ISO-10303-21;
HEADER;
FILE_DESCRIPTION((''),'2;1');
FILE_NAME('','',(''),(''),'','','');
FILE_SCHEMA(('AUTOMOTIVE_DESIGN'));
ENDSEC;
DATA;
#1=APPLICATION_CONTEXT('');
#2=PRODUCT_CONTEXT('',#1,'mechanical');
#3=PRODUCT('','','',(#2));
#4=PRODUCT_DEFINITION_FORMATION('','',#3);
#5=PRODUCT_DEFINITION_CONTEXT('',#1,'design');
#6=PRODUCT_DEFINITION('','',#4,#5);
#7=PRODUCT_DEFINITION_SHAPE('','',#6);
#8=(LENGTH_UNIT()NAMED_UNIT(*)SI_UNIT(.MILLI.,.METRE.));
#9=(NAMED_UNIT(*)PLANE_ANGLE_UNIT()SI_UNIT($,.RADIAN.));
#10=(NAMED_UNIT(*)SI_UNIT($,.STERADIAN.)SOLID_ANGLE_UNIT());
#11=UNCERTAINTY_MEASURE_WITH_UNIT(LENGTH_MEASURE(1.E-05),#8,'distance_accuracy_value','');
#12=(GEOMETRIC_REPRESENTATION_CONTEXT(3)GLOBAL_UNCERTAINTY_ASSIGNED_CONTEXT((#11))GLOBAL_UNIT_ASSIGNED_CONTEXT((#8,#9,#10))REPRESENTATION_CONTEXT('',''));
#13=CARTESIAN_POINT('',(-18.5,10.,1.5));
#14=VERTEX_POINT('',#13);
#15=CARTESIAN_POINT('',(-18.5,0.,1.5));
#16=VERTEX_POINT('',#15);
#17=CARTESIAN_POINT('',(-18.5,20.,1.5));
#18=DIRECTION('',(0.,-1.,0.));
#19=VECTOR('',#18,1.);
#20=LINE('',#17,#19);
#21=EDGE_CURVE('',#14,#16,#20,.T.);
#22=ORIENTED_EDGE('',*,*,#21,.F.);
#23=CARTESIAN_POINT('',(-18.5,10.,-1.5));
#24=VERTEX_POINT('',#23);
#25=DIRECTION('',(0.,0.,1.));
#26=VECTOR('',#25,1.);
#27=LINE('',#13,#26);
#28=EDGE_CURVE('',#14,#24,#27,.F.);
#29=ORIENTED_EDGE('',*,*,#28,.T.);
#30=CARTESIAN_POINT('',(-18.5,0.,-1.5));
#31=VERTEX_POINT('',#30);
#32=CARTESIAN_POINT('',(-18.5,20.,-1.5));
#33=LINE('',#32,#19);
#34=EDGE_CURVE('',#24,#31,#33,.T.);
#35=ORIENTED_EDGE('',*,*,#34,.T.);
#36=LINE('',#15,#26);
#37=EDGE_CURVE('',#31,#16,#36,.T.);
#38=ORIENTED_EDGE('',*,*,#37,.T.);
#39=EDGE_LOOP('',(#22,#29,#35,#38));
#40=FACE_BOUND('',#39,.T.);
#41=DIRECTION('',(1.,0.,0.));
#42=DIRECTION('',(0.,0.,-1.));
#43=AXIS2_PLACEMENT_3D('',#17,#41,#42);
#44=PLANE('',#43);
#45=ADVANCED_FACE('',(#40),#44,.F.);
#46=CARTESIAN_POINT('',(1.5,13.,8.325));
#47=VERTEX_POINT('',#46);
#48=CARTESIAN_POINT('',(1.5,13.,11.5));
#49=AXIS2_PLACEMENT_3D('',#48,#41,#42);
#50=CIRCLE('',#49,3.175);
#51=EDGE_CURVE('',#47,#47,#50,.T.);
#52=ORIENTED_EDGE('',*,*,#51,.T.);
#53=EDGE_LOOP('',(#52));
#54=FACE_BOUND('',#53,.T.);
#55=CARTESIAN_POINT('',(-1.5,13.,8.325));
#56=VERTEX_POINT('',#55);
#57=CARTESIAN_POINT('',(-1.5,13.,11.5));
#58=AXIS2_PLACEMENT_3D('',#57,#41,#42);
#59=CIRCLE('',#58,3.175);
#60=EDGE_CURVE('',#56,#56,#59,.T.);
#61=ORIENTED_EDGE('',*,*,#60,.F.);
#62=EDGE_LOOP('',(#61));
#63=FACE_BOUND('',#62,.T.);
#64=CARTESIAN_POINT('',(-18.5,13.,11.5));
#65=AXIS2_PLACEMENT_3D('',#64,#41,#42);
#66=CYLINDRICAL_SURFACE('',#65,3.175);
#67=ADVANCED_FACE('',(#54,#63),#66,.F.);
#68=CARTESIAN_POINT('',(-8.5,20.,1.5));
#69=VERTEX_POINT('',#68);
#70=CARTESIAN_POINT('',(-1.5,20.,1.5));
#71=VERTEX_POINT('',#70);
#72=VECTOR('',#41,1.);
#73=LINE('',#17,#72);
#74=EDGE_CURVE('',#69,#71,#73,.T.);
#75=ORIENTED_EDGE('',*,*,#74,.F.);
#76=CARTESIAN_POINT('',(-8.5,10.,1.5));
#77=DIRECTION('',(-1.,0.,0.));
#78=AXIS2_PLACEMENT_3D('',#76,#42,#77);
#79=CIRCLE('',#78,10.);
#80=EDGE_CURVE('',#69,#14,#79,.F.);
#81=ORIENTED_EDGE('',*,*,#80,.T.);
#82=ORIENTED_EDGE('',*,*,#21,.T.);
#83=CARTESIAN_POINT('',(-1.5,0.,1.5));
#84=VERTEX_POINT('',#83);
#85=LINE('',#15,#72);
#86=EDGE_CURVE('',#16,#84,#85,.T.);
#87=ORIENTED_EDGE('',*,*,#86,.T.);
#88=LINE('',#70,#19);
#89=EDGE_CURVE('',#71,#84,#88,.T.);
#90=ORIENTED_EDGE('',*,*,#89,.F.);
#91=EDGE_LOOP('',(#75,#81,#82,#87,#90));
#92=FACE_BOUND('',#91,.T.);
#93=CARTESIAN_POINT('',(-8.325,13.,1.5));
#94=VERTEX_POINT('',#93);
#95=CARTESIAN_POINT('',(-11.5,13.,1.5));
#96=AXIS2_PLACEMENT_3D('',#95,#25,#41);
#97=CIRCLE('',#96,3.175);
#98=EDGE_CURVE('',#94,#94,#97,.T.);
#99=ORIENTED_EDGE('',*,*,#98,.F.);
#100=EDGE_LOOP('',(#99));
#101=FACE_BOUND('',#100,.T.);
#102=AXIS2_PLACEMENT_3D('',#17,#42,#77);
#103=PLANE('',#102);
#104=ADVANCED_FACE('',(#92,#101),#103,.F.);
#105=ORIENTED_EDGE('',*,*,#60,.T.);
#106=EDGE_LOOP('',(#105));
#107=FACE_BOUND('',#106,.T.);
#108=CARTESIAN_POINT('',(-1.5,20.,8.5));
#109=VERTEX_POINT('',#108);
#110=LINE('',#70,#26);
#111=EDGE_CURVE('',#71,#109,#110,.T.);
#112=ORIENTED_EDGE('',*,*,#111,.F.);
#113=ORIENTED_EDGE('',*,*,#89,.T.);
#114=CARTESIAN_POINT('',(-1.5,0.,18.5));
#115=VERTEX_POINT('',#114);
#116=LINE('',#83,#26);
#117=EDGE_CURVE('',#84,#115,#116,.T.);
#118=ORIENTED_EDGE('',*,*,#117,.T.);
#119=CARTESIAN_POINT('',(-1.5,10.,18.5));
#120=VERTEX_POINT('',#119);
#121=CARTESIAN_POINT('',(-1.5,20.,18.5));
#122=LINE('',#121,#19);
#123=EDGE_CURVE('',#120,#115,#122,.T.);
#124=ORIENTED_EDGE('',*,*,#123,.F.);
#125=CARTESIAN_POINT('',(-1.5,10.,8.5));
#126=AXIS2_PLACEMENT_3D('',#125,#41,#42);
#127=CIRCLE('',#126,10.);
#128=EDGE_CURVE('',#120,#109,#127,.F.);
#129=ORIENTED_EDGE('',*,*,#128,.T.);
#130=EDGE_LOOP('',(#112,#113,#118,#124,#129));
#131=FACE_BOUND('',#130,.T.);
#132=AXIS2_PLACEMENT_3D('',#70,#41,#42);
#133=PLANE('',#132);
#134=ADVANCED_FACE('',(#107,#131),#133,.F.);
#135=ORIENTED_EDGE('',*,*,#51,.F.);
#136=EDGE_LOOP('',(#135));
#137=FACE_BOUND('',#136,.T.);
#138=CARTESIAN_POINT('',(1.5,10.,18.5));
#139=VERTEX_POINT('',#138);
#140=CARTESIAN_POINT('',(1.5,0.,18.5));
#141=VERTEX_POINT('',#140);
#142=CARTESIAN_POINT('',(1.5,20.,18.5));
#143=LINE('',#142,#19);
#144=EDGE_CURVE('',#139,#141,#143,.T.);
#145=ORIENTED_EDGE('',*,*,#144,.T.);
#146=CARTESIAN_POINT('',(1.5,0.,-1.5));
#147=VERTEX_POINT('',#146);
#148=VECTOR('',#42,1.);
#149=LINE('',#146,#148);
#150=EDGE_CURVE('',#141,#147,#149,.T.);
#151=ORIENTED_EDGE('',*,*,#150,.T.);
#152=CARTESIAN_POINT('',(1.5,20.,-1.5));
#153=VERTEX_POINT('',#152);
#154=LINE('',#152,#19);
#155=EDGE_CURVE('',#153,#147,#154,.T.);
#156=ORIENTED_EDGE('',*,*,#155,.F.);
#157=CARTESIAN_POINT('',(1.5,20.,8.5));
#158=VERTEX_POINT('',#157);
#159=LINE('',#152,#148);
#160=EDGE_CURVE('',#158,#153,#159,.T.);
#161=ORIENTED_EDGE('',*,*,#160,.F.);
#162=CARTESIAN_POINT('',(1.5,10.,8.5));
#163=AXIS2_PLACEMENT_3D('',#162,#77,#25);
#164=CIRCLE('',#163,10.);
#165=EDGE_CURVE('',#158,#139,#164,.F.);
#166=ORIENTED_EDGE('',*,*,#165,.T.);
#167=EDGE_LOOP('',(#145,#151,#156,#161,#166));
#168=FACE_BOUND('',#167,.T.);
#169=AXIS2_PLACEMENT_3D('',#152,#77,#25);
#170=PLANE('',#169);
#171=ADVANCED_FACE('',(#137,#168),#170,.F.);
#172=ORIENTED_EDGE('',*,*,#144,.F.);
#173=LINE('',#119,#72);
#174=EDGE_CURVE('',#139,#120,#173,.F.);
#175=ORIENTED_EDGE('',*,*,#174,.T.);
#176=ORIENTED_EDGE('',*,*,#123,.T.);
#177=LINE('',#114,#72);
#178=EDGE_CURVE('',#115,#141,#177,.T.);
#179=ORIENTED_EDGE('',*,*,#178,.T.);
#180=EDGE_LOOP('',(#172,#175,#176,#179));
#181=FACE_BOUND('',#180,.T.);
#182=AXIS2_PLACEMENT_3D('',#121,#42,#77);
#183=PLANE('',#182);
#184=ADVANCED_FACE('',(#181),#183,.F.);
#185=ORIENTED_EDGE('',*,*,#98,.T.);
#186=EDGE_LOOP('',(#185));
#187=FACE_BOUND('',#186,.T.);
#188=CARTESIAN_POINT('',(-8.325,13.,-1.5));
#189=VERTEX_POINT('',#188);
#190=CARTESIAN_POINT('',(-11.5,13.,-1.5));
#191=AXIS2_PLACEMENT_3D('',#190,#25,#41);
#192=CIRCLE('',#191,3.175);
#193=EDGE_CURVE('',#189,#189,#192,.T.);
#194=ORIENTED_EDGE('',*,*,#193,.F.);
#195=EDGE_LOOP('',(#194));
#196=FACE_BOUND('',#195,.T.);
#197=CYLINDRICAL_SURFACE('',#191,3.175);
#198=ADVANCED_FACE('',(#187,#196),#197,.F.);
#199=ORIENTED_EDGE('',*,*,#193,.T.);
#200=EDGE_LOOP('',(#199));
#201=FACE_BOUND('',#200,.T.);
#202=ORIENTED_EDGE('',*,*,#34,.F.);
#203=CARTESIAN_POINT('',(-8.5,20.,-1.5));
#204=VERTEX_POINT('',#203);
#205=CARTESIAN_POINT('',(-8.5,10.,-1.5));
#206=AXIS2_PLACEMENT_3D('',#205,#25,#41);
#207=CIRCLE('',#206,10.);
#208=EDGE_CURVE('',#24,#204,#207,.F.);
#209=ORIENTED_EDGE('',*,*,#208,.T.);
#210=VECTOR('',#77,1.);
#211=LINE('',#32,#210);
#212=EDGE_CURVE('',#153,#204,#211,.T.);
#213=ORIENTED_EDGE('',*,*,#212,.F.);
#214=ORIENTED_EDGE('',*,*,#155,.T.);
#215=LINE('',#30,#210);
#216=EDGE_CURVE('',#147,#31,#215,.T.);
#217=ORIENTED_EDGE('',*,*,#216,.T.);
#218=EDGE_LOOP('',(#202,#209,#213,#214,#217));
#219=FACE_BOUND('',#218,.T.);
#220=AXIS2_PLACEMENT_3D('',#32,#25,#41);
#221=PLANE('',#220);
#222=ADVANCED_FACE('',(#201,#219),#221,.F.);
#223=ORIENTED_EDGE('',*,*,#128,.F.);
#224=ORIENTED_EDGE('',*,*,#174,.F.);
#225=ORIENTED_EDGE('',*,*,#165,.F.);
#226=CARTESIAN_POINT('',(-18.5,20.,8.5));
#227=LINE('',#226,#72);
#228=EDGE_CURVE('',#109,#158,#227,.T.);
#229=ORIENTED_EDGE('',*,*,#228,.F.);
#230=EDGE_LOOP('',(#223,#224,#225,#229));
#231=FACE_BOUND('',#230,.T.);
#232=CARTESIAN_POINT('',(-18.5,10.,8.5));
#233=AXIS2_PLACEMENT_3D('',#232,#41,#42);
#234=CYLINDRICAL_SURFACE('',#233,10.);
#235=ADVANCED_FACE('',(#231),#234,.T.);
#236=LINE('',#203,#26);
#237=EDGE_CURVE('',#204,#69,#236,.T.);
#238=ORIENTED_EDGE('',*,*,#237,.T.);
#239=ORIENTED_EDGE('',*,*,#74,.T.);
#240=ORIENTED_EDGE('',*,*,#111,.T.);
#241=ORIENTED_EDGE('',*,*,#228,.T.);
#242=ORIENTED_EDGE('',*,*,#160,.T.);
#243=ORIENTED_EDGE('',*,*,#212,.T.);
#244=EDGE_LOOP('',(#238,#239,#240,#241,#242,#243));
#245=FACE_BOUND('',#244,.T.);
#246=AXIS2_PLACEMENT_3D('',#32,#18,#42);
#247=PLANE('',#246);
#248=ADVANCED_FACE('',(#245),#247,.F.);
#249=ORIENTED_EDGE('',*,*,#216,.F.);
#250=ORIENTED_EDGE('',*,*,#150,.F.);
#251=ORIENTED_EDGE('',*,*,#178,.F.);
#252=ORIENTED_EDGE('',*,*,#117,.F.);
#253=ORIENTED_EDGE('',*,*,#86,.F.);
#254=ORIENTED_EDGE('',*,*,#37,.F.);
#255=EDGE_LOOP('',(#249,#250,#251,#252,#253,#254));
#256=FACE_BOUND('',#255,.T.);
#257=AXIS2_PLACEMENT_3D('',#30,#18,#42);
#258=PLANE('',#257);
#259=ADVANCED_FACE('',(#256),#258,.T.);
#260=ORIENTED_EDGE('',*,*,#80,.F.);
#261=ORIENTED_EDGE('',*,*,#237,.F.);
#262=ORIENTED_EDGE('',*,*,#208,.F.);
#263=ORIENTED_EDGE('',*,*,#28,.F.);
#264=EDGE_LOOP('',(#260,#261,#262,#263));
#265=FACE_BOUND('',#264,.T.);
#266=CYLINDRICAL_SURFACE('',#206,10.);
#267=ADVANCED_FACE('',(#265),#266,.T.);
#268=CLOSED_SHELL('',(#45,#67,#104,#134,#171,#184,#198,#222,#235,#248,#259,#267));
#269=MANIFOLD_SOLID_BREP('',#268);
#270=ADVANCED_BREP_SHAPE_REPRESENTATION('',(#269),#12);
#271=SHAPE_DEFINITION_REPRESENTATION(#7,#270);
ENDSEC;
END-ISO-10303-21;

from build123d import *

# Parameters (mm, degrees)
BOSS_EXTRUDE1_DEPTH = 20
FILLET1_R           = 10
SKETCH2_R           = 3.175
CUT_EXTRUDE1_DEPTH  = 21
SKETCH3_R           = 3.175
CUT_EXTRUDE2_DEPTH  = 4


with BuildPart() as part:
    # Sketch1 → Boss-Extrude1 (new body)
    with BuildSketch(Plane(origin=(0, 0, 0), x_dir=(1, 0, 0), z_dir=(0, 1, 0))):
        Polygon((-18.5, -1.5), (-1.5, -1.5), (-1.5, -18.5), (1.5, -18.5), (1.5, 1.5), (-18.5, 1.5), align=None)
    extrude(amount=BOSS_EXTRUDE1_DEPTH)

    # Fillet1
    fillet1_edges = [part.edges().sort_by_distance(p)[0] for p in [
        (0, 20, 18.5),
        (-18.5, 20, 0),
    ]]
    fillet(fillet1_edges, radius=FILLET1_R)

    # Sketch2 → Cut-Extrude1 (cut, through all)
    with BuildSketch(Plane(origin=(1.5, 0, 0), x_dir=(0, 0, -1), z_dir=(1, 0, 0))):
        with Locations((-11.5, 13)):
            Circle(SKETCH2_R)
    extrude(amount=-CUT_EXTRUDE1_DEPTH, mode=Mode.SUBTRACT)

    # Sketch3 → Cut-Extrude2 (cut, through all)
    with BuildSketch(Plane.XY.offset(1.5)):
        with Locations((-11.5, 13)):
            Circle(SKETCH3_R)
    extrude(amount=-CUT_EXTRUDE2_DEPTH, mode=Mode.SUBTRACT)


solid = part.part
